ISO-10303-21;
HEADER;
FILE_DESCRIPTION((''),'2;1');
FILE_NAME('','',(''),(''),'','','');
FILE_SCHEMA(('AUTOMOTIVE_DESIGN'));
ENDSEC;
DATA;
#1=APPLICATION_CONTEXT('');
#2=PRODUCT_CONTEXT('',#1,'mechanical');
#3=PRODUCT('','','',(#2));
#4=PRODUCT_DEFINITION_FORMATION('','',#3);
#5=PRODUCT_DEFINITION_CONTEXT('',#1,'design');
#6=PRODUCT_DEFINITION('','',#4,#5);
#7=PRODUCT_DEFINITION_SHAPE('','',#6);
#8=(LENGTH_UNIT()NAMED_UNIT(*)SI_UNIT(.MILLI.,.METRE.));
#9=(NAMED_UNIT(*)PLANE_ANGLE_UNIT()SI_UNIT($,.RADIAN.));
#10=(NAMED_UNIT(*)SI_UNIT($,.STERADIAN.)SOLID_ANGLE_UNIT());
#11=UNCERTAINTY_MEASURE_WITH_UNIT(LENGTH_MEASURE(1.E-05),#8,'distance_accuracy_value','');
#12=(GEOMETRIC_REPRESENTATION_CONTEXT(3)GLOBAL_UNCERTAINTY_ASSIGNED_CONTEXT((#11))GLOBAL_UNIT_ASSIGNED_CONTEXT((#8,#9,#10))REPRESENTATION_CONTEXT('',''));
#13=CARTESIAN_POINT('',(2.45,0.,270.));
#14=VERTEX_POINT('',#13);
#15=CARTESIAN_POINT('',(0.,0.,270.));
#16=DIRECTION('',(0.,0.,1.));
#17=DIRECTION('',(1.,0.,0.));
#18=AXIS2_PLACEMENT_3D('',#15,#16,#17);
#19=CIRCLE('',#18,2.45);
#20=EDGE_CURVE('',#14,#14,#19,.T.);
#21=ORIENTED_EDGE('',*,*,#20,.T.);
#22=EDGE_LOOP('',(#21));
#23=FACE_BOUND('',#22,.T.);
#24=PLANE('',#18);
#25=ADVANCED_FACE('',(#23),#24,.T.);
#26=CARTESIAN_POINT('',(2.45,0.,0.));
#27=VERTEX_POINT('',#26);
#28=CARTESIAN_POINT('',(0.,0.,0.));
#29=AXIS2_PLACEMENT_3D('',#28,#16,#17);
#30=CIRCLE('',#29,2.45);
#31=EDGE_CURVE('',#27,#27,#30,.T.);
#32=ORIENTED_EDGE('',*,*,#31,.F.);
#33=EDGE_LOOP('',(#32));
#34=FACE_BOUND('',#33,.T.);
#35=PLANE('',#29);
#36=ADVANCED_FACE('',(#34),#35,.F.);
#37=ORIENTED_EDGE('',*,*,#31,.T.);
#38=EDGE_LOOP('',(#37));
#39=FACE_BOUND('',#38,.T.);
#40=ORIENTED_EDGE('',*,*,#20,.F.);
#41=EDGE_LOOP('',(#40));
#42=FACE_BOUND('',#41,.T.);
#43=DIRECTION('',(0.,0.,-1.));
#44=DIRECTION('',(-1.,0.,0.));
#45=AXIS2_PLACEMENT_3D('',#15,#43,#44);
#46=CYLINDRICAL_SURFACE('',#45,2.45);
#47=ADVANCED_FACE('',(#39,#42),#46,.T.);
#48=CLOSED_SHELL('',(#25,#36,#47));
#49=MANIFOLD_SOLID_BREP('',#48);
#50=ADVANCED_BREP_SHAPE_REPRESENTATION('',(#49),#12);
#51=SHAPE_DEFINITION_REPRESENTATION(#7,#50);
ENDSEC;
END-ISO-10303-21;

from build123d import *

# Parameters (mm, degrees)
ESQUISSE1_R        = 2.45
BOSS_EXTRU_1_DEPTH = 270


with BuildPart() as part:
    # Esquisse1 → Boss.-Extru.1 (new body)
    with BuildSketch(Plane.XY):
        Circle(ESQUISSE1_R)
    extrude(amount=BOSS_EXTRU_1_DEPTH)


solid = part.part
